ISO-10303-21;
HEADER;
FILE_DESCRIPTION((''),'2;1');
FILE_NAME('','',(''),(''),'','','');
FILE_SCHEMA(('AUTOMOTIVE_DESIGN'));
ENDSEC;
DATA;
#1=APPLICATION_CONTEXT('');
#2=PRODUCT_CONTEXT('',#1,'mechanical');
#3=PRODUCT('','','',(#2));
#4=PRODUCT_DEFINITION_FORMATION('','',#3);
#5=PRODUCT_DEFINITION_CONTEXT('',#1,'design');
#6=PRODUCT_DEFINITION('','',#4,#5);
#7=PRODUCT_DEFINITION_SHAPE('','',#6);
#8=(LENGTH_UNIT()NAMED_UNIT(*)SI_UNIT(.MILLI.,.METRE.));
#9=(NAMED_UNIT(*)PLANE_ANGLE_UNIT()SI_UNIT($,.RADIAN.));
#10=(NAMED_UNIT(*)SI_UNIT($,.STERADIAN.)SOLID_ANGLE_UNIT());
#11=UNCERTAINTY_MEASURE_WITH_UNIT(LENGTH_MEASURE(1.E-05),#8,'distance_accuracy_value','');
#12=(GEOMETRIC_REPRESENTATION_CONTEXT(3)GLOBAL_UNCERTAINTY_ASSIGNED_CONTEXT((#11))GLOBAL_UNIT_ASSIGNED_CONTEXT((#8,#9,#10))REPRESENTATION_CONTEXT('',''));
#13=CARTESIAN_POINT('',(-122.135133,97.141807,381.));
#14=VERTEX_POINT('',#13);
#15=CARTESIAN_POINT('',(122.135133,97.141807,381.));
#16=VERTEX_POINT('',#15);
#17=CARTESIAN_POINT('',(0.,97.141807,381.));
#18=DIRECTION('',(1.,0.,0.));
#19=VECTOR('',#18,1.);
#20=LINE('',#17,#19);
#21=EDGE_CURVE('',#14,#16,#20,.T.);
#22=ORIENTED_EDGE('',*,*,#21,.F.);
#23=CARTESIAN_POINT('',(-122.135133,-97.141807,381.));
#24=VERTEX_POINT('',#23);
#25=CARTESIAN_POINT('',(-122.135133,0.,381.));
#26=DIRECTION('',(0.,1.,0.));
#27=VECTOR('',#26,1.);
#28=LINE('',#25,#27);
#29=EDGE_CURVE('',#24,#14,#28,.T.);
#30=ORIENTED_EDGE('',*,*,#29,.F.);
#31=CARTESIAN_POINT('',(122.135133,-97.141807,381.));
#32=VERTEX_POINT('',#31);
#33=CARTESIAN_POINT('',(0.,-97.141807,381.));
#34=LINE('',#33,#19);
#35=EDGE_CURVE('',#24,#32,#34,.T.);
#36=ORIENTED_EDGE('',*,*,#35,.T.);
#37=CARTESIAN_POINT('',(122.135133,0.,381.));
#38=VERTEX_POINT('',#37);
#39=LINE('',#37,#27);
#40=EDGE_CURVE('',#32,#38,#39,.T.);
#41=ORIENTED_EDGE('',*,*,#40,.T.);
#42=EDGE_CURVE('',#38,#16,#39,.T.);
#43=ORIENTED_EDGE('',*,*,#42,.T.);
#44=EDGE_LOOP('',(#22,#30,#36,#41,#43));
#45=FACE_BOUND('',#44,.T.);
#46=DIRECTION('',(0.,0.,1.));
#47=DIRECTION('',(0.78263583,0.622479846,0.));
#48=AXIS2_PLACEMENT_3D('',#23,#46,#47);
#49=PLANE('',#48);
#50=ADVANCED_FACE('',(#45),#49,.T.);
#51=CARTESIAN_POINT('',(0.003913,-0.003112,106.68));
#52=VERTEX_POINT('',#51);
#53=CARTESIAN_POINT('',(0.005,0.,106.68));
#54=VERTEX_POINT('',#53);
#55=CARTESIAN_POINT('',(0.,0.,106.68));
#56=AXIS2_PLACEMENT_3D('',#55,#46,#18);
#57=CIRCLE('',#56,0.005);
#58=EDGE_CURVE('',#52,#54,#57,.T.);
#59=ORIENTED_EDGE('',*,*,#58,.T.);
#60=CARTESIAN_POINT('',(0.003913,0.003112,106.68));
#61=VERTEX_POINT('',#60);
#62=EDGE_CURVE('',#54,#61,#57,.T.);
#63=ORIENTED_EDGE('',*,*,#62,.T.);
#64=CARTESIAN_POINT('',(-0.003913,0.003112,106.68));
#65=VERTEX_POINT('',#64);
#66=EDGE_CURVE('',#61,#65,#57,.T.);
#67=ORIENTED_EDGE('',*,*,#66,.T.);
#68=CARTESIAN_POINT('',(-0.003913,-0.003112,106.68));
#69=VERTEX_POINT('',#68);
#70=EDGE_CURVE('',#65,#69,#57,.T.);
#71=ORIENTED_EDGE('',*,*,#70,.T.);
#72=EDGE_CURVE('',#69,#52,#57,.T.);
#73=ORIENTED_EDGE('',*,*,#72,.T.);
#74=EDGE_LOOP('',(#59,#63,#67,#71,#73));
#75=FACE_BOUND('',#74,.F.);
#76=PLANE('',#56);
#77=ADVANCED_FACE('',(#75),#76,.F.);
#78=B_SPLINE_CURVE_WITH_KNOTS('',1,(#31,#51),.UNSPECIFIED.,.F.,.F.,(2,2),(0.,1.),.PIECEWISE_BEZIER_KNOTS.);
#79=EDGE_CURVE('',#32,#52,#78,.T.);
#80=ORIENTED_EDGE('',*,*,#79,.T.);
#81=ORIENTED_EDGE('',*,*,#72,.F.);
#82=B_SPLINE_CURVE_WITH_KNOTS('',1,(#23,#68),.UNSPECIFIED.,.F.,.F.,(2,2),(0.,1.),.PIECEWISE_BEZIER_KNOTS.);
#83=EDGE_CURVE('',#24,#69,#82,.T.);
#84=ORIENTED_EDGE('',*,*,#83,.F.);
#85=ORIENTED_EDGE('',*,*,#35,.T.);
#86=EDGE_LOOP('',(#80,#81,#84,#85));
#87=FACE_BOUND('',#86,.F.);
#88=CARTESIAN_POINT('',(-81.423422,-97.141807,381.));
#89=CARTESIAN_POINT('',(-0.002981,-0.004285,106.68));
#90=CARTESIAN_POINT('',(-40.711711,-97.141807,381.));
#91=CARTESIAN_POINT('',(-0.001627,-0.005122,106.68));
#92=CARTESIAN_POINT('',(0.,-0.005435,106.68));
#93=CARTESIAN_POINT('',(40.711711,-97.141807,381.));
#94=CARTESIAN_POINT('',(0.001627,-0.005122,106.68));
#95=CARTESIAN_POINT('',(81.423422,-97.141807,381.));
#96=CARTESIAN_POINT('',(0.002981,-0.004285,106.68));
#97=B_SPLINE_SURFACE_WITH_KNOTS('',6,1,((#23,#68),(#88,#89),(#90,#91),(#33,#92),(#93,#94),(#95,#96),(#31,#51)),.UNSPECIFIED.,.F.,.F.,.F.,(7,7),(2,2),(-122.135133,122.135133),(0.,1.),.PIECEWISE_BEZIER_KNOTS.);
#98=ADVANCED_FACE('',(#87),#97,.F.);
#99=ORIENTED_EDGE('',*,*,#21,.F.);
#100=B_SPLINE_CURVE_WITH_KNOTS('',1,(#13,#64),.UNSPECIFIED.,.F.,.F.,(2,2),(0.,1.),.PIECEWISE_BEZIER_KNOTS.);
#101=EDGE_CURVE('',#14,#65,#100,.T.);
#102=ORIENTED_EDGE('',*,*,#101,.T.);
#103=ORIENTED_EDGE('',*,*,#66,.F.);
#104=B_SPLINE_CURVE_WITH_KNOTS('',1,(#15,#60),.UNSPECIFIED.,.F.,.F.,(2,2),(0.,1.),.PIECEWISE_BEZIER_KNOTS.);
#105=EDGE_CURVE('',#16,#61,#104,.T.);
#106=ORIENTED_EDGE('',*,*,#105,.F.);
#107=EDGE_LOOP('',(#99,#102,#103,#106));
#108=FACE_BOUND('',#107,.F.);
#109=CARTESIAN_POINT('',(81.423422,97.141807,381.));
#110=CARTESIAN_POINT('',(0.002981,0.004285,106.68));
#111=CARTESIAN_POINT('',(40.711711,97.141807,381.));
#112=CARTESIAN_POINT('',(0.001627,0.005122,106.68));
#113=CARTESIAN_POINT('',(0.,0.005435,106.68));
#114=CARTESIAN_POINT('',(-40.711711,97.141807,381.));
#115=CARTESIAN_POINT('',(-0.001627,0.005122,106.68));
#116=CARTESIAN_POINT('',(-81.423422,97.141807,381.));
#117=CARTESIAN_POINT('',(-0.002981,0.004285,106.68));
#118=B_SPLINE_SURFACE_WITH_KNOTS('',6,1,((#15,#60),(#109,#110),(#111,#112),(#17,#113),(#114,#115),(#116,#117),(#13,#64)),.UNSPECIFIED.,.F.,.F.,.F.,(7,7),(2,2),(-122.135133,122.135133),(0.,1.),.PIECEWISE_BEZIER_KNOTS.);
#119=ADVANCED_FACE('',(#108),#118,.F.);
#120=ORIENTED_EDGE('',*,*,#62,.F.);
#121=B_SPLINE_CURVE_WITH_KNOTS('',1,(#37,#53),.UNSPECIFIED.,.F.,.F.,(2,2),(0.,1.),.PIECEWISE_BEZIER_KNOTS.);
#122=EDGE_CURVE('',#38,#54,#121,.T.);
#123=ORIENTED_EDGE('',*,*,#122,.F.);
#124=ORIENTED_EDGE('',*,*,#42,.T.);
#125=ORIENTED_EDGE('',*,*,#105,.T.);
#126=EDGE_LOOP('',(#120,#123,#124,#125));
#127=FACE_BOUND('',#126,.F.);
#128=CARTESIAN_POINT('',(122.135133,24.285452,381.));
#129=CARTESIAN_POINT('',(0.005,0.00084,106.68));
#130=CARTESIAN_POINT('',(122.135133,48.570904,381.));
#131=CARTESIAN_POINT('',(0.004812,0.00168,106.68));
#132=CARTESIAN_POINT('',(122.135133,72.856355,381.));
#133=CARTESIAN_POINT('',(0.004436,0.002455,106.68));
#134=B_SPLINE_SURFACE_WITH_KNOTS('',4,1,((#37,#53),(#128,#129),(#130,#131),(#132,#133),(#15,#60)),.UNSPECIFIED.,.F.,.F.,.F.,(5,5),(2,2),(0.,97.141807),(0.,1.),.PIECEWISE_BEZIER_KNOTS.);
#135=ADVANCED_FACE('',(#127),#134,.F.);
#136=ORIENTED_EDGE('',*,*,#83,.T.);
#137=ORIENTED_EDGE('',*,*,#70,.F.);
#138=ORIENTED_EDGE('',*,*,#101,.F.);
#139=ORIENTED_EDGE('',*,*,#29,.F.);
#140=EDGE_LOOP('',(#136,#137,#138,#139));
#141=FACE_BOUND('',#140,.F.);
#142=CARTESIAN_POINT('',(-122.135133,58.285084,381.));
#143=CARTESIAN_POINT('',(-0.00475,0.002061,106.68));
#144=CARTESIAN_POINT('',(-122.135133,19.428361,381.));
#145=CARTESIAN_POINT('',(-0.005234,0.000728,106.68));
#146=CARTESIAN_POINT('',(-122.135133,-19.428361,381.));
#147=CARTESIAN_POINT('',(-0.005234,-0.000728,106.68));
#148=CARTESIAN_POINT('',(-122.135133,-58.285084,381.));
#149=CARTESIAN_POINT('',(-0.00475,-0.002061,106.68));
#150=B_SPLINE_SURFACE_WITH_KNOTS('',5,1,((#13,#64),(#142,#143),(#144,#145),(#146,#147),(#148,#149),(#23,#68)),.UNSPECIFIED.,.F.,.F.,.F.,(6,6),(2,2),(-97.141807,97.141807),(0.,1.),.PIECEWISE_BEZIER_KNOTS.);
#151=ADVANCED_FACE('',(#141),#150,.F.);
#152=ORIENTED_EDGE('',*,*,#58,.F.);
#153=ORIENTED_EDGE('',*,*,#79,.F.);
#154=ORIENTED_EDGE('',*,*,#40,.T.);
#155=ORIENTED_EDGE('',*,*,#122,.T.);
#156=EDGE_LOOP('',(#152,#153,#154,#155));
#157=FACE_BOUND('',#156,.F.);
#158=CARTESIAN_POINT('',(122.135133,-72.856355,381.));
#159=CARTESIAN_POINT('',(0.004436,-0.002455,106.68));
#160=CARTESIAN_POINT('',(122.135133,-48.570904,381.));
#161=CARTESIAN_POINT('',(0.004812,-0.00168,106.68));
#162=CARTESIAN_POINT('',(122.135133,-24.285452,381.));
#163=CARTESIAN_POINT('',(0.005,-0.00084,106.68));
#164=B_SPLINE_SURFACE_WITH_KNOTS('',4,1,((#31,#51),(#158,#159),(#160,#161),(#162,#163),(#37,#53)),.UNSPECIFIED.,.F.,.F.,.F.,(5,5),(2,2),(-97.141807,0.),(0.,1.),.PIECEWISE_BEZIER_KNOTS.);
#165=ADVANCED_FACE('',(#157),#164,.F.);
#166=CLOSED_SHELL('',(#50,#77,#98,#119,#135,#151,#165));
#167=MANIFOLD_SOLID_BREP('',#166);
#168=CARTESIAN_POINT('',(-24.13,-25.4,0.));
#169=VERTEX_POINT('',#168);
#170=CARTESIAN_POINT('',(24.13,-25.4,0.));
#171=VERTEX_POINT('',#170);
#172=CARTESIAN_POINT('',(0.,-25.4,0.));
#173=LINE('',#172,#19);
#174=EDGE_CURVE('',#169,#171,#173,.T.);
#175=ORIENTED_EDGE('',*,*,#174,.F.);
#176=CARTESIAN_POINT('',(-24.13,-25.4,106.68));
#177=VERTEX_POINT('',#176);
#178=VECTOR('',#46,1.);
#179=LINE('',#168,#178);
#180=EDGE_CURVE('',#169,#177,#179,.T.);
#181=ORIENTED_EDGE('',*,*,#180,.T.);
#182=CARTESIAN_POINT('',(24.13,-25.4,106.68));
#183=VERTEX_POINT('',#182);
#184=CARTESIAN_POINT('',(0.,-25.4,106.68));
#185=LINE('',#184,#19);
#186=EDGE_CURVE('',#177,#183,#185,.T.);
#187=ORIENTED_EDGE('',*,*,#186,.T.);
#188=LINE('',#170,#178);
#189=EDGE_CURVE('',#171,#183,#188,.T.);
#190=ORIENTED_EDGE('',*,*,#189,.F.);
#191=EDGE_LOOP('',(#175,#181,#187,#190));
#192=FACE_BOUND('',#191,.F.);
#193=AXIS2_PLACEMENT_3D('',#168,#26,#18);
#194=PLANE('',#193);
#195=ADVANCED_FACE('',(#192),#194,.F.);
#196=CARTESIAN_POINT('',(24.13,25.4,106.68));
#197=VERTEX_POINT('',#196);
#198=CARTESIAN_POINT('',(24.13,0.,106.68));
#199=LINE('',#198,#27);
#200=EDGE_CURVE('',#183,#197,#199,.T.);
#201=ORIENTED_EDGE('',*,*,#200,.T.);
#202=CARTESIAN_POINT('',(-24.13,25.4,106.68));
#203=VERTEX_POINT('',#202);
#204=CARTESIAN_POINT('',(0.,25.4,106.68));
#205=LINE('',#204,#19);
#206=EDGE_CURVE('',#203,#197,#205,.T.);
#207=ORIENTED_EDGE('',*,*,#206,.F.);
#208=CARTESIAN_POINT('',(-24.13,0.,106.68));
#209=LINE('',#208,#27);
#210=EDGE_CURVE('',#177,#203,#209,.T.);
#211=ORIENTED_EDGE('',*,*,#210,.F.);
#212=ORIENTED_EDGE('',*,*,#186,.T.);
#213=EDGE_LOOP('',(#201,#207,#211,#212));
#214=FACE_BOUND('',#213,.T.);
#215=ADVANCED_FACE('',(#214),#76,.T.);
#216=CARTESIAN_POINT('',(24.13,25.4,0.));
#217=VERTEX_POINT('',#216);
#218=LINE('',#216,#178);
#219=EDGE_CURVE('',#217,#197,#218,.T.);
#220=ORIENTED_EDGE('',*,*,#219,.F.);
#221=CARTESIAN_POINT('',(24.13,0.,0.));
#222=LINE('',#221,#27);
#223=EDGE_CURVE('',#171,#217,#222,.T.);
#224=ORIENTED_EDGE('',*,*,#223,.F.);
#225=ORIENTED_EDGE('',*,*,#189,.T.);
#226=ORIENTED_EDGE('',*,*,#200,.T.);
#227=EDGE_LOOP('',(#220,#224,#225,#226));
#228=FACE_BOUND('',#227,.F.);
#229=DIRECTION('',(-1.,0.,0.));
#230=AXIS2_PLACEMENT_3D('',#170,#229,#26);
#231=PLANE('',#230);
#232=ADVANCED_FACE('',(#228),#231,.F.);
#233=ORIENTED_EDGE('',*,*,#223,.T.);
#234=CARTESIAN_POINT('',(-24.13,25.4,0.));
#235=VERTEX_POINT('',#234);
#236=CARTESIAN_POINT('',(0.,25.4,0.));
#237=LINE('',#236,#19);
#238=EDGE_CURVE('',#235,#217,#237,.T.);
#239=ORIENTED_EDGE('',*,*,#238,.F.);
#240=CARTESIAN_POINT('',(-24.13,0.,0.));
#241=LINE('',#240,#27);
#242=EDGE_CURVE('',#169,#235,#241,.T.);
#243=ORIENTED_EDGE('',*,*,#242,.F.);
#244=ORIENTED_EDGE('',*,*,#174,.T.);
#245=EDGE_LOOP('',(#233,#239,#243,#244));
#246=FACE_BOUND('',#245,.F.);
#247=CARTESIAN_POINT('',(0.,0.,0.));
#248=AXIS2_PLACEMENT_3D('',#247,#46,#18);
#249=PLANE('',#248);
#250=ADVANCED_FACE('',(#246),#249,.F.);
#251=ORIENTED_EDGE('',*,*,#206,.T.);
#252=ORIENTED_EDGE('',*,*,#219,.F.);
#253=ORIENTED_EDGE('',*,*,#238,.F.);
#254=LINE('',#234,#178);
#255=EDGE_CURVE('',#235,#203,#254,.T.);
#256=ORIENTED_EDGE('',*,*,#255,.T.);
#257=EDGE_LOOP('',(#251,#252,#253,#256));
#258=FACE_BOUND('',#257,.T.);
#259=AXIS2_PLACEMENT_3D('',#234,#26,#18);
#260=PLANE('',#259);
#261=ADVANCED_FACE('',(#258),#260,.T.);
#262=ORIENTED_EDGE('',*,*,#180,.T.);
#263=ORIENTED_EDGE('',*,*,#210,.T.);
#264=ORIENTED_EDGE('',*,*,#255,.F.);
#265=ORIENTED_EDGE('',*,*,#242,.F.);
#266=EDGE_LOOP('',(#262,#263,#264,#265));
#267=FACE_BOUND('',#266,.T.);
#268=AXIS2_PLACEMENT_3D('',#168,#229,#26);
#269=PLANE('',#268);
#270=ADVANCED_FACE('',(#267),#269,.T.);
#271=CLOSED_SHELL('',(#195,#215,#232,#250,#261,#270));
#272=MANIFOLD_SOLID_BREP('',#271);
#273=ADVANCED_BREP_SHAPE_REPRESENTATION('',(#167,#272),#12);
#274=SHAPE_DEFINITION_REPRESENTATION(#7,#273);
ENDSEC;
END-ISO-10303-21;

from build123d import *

# Parameters (mm, degrees)
F0_W     = 48.26
F0_H     = 50.8
F1_DEPTH = 106.68
F6_W     = 244.270266
F6_H     = 194.283614
F8_R     = 0.005


with BuildPart() as f1:
    # F0 (on Top) → F1 (new body)
    with BuildSketch(Plane.XY):
        Rectangle(F0_W, F0_H)
    extrude(amount=F1_DEPTH)


with BuildPart() as f9:
    # F6 (on offset) → F9 section 0
    with BuildSketch(Plane.XY.offset(381)):
        Rectangle(F6_W, F6_H)
    # F8 (on plane+point) → F9 section 1
    with BuildSketch(Plane.XY.offset(106.68)):
        Circle(F8_R)
    loft()


solid = Compound([f1.part, f9.part])
